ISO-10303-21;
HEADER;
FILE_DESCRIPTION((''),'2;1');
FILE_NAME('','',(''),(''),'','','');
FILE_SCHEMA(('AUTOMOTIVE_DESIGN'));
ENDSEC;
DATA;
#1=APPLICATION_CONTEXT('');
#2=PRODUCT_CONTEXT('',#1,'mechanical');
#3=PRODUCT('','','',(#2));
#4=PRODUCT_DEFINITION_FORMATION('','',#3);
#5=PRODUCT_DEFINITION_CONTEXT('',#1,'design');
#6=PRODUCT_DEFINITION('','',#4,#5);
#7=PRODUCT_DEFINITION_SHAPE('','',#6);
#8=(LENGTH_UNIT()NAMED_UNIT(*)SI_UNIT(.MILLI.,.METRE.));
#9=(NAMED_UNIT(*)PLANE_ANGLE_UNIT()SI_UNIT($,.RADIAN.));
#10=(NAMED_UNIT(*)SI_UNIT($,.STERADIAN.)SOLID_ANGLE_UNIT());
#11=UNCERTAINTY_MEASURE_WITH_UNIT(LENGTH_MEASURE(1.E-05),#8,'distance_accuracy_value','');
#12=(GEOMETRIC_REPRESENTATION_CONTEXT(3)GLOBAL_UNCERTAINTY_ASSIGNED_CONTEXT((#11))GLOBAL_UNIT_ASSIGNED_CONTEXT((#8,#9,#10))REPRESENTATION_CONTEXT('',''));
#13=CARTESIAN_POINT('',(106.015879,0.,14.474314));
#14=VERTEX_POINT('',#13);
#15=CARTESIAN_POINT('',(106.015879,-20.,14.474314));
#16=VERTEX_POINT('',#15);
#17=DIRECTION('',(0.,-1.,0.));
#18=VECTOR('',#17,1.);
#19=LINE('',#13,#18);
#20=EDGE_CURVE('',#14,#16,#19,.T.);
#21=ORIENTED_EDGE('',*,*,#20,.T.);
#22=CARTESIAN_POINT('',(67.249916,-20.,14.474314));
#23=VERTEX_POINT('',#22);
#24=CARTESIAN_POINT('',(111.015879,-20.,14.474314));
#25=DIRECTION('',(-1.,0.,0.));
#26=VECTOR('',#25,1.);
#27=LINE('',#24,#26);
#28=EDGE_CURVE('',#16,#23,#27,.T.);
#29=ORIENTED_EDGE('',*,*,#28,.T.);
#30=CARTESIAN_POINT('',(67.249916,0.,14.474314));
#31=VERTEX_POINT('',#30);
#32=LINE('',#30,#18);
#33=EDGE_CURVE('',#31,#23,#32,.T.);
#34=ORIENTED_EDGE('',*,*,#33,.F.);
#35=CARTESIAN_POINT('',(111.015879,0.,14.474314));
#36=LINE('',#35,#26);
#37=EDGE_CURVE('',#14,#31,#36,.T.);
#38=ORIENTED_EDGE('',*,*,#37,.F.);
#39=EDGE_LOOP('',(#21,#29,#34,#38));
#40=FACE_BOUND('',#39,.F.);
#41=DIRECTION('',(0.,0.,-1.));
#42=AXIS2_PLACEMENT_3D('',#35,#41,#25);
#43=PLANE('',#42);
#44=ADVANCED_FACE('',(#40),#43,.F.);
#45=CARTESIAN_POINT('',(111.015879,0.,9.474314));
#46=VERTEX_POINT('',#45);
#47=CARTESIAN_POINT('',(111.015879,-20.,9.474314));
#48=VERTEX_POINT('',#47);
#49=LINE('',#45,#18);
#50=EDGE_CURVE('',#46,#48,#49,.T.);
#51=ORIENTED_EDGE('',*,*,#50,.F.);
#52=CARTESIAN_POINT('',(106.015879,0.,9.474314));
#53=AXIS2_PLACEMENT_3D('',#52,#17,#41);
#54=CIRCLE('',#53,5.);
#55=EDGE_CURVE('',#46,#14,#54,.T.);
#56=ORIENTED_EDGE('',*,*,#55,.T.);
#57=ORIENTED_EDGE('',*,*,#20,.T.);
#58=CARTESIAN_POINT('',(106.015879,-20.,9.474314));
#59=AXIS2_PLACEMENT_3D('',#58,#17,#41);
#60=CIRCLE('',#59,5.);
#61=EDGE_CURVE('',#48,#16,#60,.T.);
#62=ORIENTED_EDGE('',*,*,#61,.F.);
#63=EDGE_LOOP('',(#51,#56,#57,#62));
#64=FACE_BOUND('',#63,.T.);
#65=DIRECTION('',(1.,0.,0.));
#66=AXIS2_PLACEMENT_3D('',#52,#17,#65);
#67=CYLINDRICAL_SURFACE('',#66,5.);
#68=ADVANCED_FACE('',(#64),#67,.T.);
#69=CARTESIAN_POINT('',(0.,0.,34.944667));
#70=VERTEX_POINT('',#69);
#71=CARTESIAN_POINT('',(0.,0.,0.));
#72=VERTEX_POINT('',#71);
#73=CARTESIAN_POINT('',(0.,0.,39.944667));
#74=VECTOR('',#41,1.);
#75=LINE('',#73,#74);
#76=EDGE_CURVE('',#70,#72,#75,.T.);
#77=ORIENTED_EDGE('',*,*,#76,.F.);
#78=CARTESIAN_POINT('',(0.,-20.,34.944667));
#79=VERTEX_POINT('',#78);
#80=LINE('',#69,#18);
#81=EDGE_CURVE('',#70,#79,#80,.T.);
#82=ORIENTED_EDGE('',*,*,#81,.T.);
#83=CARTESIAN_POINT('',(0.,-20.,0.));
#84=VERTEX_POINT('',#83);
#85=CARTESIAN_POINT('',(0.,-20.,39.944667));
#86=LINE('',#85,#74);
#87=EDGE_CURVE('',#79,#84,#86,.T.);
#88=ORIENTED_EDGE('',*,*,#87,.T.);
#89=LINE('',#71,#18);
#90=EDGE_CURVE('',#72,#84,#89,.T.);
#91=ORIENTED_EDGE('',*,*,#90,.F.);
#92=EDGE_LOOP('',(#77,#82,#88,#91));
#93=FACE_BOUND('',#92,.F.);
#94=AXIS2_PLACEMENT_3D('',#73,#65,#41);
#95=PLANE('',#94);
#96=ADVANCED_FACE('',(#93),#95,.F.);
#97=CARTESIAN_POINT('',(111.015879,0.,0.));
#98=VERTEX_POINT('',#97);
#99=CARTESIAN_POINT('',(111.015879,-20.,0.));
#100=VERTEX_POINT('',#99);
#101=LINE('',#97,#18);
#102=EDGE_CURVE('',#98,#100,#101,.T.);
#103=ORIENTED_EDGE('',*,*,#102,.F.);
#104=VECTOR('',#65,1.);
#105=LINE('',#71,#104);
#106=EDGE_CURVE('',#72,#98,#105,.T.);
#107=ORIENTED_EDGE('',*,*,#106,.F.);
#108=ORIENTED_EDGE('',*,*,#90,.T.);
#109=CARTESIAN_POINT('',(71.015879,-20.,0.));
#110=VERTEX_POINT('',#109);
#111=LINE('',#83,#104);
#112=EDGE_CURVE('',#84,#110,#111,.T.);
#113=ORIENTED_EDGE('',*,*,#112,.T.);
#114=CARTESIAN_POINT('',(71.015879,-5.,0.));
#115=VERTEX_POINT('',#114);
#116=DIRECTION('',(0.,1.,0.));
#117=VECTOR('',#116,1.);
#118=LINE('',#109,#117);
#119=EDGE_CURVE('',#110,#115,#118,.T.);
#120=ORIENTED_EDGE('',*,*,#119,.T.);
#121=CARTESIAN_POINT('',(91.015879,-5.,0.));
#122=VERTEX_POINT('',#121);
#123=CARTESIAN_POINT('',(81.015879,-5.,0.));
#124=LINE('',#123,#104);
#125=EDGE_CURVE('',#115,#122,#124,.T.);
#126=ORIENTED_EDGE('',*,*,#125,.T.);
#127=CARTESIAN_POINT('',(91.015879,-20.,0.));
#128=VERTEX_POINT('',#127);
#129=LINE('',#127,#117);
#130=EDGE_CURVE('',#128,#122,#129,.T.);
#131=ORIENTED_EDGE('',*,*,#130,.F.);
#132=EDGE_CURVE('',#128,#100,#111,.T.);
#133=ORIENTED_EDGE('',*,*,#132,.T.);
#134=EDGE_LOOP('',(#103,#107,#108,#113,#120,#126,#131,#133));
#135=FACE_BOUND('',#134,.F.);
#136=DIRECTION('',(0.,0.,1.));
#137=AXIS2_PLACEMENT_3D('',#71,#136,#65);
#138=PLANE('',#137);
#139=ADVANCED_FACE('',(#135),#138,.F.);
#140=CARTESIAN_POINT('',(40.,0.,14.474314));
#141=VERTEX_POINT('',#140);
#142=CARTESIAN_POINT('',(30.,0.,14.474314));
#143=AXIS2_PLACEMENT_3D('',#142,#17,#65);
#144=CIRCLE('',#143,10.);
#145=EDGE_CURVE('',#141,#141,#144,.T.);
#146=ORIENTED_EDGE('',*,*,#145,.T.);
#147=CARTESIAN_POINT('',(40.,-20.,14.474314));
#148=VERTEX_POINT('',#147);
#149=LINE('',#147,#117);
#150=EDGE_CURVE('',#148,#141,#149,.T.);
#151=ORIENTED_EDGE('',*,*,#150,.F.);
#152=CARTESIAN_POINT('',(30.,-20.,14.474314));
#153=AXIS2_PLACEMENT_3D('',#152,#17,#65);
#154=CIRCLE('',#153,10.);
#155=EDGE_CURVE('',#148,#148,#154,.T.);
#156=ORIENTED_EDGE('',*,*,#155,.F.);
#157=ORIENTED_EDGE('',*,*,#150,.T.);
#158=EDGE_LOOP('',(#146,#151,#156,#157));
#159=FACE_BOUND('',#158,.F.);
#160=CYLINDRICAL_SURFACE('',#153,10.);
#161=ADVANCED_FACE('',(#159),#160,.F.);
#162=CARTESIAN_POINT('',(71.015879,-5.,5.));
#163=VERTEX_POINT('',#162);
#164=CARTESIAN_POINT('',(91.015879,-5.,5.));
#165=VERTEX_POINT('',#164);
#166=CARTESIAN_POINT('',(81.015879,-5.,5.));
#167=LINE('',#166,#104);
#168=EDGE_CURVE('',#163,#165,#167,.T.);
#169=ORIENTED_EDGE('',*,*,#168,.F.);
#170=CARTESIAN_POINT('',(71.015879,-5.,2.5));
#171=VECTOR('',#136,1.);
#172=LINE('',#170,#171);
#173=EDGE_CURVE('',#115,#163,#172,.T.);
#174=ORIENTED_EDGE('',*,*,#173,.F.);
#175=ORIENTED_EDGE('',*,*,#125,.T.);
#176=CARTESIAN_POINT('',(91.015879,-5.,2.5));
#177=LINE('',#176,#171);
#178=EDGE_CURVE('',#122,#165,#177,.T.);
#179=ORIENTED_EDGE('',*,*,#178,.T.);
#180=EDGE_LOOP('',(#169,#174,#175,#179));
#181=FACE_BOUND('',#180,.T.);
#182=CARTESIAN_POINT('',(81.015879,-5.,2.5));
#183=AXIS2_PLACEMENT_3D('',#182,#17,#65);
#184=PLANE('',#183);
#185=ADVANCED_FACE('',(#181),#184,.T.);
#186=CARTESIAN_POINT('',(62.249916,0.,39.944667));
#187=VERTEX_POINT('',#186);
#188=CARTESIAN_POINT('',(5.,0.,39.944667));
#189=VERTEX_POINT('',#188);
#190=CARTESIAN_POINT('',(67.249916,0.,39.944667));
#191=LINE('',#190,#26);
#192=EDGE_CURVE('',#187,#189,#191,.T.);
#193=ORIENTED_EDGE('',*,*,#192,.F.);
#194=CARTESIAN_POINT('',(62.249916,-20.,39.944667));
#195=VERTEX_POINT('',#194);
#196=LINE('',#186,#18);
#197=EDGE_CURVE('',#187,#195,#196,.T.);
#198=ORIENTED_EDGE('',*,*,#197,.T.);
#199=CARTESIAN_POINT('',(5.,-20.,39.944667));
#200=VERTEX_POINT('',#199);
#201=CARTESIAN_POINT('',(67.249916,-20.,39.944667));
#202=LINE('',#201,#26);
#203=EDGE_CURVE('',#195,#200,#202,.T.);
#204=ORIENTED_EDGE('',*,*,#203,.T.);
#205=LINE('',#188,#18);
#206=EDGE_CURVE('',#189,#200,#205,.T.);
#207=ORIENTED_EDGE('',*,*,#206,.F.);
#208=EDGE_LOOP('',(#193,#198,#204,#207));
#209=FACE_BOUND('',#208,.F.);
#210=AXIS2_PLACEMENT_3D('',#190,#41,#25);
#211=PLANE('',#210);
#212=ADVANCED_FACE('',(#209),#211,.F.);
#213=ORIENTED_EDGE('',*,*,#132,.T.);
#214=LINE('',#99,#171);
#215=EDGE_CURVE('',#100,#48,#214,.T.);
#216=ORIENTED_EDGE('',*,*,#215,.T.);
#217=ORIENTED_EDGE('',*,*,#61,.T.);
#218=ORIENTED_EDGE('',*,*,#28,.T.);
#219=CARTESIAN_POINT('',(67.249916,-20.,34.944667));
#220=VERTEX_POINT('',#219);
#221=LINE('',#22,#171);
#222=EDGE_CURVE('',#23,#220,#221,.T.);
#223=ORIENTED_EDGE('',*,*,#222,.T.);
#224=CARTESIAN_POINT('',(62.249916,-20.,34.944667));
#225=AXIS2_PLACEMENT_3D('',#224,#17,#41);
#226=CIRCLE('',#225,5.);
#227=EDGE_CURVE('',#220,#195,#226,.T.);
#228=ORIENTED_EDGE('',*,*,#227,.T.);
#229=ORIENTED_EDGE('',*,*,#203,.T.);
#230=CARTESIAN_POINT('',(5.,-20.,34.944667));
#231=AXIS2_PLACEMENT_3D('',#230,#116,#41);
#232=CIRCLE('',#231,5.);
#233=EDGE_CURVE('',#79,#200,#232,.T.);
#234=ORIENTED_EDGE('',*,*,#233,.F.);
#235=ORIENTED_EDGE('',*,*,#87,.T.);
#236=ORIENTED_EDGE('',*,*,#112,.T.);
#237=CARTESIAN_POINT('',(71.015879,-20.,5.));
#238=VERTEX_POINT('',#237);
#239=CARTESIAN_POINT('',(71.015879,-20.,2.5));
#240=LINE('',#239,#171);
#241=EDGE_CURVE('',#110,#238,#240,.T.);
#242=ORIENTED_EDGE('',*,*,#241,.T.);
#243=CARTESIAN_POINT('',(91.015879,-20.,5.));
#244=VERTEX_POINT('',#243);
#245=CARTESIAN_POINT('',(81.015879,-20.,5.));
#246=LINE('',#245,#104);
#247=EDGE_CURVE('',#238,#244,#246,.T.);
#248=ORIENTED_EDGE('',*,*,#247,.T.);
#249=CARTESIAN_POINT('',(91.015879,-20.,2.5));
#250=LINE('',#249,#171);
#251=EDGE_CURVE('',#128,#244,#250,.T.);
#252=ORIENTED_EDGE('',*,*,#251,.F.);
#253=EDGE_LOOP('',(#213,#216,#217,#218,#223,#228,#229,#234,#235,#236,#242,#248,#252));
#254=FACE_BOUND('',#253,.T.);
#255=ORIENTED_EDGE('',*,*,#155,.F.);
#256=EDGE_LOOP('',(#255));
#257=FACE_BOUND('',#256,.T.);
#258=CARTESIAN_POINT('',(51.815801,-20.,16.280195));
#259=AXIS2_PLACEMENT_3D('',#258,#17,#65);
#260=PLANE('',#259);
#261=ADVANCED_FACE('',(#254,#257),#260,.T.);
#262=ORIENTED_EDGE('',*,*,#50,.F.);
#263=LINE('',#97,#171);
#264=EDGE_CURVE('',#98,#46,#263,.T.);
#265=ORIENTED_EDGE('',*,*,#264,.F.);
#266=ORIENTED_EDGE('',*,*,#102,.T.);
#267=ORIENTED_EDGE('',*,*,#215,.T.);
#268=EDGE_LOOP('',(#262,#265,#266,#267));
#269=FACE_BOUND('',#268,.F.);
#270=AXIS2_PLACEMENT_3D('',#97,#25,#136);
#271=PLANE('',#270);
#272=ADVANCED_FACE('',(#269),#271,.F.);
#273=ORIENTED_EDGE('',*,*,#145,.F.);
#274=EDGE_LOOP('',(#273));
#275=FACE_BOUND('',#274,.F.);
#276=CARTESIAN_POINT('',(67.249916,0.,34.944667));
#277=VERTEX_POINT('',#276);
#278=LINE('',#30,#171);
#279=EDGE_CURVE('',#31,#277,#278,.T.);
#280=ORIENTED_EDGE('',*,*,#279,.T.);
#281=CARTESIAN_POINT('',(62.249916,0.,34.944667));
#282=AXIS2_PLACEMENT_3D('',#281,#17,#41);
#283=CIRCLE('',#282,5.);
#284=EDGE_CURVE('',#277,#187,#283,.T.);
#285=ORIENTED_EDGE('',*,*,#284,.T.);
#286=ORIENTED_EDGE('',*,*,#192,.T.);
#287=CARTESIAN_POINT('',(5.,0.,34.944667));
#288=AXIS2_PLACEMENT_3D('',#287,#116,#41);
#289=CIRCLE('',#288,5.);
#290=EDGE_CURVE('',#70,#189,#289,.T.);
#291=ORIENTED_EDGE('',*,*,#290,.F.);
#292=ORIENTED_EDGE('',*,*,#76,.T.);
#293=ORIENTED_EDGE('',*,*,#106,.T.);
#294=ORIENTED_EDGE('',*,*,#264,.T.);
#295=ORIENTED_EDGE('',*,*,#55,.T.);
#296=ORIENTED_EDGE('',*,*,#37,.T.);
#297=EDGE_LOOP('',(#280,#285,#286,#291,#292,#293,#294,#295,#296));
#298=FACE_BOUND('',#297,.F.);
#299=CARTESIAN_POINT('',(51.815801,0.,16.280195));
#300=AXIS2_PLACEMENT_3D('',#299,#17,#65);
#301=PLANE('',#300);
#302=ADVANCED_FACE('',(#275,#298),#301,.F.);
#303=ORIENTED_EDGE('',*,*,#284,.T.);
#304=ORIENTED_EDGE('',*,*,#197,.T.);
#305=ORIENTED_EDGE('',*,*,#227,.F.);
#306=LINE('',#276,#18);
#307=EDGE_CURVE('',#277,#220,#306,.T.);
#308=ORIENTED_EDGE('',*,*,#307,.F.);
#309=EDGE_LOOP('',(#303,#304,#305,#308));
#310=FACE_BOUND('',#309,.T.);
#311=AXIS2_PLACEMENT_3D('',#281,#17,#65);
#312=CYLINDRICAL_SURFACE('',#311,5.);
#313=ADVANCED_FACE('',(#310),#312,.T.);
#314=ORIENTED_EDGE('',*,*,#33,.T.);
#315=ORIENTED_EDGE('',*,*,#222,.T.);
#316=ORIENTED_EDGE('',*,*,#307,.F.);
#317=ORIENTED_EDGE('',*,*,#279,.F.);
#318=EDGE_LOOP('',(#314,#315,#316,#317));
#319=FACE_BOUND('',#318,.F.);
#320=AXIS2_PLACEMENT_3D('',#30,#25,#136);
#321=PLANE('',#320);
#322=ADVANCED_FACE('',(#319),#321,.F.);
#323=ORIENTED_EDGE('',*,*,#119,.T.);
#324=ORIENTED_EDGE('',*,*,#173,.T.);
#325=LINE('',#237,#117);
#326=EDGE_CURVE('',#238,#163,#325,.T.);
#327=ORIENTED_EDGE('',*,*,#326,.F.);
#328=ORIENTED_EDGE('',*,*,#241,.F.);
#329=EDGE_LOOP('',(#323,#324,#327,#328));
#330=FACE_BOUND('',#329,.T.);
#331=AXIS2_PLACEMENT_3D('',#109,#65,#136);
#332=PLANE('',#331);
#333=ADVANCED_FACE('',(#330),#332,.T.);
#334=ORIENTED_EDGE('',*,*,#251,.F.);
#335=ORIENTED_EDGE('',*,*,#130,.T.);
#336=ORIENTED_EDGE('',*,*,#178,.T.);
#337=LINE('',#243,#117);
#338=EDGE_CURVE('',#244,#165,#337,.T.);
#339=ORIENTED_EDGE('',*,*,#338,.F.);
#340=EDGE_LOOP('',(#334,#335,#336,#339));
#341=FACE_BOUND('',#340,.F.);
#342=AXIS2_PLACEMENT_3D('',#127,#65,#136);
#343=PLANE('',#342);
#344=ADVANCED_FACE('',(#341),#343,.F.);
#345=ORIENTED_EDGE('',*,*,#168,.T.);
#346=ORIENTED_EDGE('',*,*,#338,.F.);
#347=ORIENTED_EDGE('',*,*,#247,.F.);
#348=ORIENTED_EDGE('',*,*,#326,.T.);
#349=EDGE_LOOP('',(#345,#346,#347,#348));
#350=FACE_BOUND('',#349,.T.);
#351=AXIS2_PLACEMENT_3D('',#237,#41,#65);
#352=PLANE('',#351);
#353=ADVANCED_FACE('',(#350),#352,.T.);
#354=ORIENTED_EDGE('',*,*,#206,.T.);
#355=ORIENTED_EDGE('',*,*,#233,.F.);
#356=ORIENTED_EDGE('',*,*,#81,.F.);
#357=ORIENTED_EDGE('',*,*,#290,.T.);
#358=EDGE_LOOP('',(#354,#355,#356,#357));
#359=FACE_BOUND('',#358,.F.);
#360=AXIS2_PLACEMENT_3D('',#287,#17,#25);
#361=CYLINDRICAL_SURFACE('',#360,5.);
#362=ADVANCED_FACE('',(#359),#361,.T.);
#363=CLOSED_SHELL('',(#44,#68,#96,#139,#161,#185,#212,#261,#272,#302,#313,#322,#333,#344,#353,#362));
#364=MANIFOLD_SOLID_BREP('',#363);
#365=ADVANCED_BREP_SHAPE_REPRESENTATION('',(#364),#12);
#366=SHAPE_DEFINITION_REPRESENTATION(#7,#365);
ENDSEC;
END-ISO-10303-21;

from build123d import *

# Parameters (mm, degrees)
F1_DEPTH = 20
F2_R     = 5
F3_R     = 10
F4_DEPTH = 20.001
F5_W     = 20
F5_H     = 5
F6_DEPTH = 15


with BuildPart() as f1:
    # F0 (on Front) → F1 (new body)
    with BuildSketch(Plane.XZ):
        Polygon((0, 39.944667), (0, 0), (111.015879, 0), (111.015879, 14.474314), (67.249916, 14.474314), (67.249916, 39.944667), align=None)
    extrude(amount=F1_DEPTH)

    # F2
    f2_edges = [f1.edges().sort_by_distance(p)[0] for p in [
        (67.249916, -10, 39.944667),
        (111.015879, -10, 14.474314),
        (0, -10, 39.944667),
    ]]
    fillet(f2_edges, radius=F2_R)

    # F3 (on face) → F4 (cut, through all)
    with BuildSketch(Plane.XZ.offset(20)):
        with Locations((30, 14.474314)):
            Circle(F3_R)
    extrude(amount=-F4_DEPTH, mode=Mode.SUBTRACT)

    # F5 (on face) → F6 (cut)
    with BuildSketch(Plane.XZ.offset(20)):
        with Locations((81.015879, 2.5)):
            Rectangle(F5_W, F5_H)
    extrude(amount=-F6_DEPTH, mode=Mode.SUBTRACT)


solid = f1.part
